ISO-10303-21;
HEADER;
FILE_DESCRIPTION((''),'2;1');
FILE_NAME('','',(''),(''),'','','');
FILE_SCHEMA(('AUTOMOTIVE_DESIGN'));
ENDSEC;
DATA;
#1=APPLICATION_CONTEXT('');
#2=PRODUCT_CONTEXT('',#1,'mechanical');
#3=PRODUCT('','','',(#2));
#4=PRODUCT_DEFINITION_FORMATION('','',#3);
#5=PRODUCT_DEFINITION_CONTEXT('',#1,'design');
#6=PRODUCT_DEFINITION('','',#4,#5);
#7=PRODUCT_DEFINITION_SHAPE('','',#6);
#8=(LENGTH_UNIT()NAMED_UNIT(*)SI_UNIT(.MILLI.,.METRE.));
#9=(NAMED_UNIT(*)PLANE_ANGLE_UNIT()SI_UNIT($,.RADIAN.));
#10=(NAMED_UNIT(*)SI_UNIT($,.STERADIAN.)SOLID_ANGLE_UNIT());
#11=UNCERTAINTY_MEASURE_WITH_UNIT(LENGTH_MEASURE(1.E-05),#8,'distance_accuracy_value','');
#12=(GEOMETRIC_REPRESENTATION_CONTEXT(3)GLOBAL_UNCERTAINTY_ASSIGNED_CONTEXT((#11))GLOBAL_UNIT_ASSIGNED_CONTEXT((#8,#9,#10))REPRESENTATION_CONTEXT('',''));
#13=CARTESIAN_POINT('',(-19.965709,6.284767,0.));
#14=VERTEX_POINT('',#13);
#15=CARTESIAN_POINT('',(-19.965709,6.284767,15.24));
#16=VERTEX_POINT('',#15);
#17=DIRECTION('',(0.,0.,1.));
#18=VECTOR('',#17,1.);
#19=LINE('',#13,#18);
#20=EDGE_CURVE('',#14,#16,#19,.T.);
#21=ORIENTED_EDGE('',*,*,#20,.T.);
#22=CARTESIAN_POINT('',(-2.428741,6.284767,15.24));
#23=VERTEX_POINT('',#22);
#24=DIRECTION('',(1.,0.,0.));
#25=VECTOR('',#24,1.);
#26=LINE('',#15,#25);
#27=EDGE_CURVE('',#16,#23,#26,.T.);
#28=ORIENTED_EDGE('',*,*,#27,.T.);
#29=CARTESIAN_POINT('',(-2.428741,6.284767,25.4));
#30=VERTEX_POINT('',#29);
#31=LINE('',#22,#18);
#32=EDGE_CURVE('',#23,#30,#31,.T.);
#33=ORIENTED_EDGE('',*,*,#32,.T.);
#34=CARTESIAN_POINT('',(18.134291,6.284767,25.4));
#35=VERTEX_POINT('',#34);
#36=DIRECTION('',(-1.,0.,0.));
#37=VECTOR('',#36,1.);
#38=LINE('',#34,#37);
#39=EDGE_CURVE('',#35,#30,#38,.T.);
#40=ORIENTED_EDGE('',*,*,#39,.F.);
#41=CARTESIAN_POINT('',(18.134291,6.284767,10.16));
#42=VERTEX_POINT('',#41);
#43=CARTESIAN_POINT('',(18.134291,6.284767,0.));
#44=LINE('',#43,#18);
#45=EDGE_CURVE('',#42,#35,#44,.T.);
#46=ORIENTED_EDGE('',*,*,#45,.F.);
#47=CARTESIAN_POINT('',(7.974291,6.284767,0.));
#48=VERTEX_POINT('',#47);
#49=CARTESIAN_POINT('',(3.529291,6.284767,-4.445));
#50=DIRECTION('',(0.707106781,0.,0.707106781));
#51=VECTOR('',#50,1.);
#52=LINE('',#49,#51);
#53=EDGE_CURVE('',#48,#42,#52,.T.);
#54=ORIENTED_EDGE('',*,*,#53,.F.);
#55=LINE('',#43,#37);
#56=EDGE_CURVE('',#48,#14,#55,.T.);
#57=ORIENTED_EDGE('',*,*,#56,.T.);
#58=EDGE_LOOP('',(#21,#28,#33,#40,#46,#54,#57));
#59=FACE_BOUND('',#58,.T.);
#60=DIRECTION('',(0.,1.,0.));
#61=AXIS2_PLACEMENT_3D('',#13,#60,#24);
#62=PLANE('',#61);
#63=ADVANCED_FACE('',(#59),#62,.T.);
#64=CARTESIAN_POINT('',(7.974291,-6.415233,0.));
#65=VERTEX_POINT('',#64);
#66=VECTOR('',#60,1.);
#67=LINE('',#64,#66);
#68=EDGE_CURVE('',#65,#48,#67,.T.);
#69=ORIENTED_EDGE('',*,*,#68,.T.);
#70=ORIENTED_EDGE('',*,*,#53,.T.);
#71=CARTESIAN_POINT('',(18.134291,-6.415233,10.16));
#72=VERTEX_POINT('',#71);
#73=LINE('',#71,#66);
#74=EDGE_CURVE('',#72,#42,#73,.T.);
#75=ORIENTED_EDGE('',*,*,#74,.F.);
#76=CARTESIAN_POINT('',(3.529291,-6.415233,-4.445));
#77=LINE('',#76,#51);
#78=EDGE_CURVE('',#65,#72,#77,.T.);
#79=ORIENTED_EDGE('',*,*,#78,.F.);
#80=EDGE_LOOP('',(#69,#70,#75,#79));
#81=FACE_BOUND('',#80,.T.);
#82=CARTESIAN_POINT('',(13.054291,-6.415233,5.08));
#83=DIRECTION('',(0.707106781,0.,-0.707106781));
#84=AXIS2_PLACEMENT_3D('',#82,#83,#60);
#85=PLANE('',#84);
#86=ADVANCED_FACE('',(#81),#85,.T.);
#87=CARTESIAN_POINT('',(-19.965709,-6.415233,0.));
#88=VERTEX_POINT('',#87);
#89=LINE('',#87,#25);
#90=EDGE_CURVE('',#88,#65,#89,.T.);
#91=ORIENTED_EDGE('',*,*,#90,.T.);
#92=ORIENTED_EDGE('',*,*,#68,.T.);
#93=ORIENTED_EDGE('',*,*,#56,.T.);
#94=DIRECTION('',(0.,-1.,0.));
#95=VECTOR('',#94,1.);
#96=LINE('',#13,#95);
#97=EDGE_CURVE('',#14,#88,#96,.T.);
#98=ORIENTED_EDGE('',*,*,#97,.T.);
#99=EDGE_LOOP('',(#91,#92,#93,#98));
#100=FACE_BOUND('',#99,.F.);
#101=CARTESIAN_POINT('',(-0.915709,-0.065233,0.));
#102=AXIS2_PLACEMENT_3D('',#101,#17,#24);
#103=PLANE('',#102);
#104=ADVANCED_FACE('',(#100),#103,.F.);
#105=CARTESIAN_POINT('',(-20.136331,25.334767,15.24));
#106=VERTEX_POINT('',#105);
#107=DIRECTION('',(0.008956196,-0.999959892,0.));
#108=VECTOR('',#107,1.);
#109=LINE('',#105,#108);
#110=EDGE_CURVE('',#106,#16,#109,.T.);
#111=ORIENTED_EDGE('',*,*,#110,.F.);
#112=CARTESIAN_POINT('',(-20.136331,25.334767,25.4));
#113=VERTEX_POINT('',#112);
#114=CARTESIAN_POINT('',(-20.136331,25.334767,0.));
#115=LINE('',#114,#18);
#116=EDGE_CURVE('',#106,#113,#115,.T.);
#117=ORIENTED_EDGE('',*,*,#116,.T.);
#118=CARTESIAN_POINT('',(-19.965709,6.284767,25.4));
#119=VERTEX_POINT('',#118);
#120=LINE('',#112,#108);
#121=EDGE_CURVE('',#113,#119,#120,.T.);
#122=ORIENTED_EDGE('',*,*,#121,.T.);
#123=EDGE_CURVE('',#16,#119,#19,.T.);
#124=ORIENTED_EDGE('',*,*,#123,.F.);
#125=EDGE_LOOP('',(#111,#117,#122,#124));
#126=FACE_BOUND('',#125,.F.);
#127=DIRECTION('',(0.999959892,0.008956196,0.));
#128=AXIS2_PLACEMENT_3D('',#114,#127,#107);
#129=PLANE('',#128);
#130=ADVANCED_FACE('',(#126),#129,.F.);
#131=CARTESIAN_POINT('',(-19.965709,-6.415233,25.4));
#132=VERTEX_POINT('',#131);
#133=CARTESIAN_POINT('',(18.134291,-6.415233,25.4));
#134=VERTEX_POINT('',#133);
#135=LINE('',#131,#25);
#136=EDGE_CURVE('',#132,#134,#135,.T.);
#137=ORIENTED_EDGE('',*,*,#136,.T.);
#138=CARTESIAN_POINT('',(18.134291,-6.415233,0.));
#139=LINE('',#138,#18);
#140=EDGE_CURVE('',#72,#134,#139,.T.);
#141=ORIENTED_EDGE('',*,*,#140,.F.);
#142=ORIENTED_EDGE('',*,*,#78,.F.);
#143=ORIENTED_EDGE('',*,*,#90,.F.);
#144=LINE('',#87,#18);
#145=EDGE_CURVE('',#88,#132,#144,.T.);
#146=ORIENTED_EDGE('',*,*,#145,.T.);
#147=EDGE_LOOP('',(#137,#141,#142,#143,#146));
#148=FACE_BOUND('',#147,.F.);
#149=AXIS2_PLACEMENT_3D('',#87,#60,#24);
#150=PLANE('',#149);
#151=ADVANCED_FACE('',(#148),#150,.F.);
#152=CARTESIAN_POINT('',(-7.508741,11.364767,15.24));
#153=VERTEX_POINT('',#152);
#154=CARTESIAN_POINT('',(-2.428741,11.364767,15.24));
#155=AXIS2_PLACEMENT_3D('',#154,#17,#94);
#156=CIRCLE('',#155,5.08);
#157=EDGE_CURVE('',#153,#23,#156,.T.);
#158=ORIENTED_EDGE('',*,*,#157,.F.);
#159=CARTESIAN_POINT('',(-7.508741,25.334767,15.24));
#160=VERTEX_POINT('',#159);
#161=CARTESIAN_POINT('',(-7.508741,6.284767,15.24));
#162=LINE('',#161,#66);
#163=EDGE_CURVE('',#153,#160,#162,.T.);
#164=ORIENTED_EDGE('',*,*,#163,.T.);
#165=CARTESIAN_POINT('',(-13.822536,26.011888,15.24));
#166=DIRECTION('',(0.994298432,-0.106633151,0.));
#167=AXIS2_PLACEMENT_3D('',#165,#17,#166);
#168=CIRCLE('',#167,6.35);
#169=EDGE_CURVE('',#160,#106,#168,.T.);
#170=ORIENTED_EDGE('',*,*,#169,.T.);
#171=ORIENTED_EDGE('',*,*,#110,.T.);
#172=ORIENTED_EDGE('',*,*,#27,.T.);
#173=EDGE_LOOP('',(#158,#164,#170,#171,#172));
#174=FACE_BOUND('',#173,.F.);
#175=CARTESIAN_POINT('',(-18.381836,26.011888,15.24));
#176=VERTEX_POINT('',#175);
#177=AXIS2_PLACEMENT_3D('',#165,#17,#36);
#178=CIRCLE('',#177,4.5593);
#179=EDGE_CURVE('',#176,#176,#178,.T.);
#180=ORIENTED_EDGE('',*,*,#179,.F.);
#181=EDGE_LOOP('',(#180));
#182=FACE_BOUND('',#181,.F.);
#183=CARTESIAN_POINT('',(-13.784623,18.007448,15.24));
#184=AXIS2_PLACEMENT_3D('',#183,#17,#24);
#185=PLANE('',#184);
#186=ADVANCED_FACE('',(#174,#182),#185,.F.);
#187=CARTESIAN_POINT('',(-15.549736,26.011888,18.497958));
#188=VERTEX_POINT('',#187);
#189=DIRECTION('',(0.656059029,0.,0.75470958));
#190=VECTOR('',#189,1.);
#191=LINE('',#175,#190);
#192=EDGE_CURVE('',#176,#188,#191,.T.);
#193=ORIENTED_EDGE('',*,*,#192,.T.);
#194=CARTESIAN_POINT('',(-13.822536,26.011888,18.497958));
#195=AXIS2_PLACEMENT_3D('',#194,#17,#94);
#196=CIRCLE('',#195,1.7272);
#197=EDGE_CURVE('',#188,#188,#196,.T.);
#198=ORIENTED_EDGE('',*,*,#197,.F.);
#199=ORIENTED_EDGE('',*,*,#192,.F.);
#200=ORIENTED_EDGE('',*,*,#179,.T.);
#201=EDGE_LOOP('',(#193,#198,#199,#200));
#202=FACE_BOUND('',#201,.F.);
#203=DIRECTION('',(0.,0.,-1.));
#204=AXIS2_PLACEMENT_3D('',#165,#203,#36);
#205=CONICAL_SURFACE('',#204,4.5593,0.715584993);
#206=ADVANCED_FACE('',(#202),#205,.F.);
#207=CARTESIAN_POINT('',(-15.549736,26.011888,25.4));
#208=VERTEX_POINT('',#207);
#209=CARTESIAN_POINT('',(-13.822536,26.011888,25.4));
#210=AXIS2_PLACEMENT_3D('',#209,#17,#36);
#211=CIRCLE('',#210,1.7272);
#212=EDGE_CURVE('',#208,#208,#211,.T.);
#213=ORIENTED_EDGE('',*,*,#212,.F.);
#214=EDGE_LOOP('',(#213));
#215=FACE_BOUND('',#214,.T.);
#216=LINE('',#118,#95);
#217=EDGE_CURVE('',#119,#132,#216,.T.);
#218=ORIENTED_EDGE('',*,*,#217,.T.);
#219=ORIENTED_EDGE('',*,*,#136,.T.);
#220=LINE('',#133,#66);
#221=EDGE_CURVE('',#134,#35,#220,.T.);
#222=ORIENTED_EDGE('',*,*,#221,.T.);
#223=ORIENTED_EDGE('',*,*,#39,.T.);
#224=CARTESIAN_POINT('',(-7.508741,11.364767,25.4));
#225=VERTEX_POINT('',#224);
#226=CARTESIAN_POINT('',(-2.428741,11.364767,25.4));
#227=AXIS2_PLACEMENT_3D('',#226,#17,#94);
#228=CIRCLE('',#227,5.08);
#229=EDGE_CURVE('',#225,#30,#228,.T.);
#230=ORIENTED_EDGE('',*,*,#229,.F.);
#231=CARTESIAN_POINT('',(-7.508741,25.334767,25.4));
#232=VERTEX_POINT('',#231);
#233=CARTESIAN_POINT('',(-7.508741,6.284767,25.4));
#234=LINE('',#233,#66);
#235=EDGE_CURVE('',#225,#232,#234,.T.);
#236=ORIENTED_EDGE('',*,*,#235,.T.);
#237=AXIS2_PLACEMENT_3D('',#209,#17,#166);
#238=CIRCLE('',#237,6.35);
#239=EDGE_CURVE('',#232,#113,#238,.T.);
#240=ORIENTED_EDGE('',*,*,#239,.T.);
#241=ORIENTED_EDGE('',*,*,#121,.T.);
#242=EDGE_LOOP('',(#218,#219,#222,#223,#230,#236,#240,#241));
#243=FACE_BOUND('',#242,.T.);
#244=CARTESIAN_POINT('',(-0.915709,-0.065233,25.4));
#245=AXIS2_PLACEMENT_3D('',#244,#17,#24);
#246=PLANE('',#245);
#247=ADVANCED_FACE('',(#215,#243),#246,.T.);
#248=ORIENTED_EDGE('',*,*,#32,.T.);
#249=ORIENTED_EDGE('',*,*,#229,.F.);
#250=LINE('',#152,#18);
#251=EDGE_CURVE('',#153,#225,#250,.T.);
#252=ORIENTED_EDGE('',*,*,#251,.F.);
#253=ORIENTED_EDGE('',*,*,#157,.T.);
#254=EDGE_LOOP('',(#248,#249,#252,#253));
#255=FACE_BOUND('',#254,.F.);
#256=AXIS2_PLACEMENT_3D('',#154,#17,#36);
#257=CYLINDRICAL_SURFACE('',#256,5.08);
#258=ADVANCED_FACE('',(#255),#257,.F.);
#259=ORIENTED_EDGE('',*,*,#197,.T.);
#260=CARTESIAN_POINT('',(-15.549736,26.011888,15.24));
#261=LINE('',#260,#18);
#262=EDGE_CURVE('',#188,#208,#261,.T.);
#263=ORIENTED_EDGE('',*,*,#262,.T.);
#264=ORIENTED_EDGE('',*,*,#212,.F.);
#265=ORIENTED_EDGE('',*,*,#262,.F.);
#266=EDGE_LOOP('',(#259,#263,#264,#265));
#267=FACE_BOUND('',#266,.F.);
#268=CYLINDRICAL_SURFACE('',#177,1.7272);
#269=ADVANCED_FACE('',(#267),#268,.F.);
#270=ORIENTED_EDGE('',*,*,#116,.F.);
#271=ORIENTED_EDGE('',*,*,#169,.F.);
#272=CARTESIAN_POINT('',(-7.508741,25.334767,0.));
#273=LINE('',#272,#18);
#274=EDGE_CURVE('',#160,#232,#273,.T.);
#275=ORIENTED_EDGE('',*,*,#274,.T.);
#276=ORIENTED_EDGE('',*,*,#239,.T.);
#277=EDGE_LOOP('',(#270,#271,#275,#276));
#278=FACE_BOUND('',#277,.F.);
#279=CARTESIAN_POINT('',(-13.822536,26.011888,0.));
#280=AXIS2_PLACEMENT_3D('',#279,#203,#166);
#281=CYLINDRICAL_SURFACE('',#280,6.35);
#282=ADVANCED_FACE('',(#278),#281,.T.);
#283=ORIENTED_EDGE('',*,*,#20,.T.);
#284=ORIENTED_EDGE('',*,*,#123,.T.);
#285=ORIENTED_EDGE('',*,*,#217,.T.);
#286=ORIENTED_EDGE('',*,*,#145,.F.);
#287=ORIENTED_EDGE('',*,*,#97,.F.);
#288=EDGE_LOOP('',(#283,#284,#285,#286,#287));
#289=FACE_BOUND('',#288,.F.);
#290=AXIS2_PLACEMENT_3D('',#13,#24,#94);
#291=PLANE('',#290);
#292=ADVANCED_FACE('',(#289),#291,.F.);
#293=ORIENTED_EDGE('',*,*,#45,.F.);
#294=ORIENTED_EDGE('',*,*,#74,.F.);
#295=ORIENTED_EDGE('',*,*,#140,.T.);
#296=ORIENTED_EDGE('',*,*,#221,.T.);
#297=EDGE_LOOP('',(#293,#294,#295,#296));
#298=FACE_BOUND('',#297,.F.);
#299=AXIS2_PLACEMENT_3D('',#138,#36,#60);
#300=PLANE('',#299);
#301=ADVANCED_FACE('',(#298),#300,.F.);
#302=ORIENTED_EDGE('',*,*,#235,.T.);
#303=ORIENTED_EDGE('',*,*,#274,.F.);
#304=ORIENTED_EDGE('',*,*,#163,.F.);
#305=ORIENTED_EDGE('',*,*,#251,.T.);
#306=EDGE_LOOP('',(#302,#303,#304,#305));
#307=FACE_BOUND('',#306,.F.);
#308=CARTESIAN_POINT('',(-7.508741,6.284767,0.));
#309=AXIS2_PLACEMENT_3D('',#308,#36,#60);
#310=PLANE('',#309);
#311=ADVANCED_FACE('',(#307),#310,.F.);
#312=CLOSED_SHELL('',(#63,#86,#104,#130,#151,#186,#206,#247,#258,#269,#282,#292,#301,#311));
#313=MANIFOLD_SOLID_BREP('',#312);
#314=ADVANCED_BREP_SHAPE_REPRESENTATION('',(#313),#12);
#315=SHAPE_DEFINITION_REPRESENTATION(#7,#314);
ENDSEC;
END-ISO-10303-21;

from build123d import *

# Parameters (mm, degrees)
F1_DEPTH       = 25.4
F2_DEPTH       = 15.24
F3_D           = 3.4544
F3_START       = 15.24
F3_CSINK_D     = 9.1186
F3_CSINK_ANGLE = 82
F4_R           = 5.08
F5_SIZE        = 10.16


with BuildPart() as f1:
    # F0 (on Top) → F1 (new body)
    with BuildSketch(Plane.XY):
        Polygon((-7.5087412455, 6.2847674176), (-19.9657089517, 6.2847674176), (-19.9657089517, -6.4152325824), (18.1342910483, -6.4152325824), (18.1342910483, 6.2847674176), align=None)
        with BuildLine():
            Line((-20.1363313266, 25.3347674176), (-19.9657089517, 6.2847674176))
            Line((-19.9657089517, 6.2847674176), (-7.5087412455, 6.2847674176))
            Line((-7.5087412455, 6.2847674176), (-7.5087412455, 25.3347674176))
            ThreePointArc((-7.5087412455, 25.3347674176), (-13.8225362861, 32.3618879282), (-20.1363313266, 25.3347674176))
        make_face()
    extrude(amount=F1_DEPTH)

    # F0 (on Top) → F2 (cut)
    with BuildSketch(Plane.XY):
        with BuildLine():
            Line((-20.1363313266, 25.3347674176), (-19.9657089517, 6.2847674176))
            Line((-19.9657089517, 6.2847674176), (-7.5087412455, 6.2847674176))
            Line((-7.5087412455, 6.2847674176), (-7.5087412455, 25.3347674176))
            ThreePointArc((-7.5087412455, 25.3347674176), (-13.8225362861, 32.3618879282), (-20.1363313266, 25.3347674176))
        make_face()
    extrude(amount=F2_DEPTH, mode=Mode.SUBTRACT)

    # F3 (through all)
    # its depths count from where the whole tool has entered the part; down to there all is cleared
    with Locations(Plane(origin=(0, 0, 0), x_dir=(1, 0, 0), z_dir=(0, 0, -1)).offset(-F3_START)):
        with Locations((-13.8225362861, -26.0118879282)):
            CounterSinkHole(F3_D / 2, F3_CSINK_D / 2, counter_sink_angle=F3_CSINK_ANGLE)

    # F4
    f4_edges = [f1.edges().sort_by_distance(p)[0] for p in [
        (-7.508741, 6.284767, 20.32),
    ]]
    fillet(f4_edges, radius=F4_R)

    # F5
    f5_edges = [f1.edges().sort_by_distance(p)[0] for p in [
        (18.134291, -0.065233, 0),
    ]]
    chamfer(f5_edges, length=F5_SIZE)


solid = f1.part
